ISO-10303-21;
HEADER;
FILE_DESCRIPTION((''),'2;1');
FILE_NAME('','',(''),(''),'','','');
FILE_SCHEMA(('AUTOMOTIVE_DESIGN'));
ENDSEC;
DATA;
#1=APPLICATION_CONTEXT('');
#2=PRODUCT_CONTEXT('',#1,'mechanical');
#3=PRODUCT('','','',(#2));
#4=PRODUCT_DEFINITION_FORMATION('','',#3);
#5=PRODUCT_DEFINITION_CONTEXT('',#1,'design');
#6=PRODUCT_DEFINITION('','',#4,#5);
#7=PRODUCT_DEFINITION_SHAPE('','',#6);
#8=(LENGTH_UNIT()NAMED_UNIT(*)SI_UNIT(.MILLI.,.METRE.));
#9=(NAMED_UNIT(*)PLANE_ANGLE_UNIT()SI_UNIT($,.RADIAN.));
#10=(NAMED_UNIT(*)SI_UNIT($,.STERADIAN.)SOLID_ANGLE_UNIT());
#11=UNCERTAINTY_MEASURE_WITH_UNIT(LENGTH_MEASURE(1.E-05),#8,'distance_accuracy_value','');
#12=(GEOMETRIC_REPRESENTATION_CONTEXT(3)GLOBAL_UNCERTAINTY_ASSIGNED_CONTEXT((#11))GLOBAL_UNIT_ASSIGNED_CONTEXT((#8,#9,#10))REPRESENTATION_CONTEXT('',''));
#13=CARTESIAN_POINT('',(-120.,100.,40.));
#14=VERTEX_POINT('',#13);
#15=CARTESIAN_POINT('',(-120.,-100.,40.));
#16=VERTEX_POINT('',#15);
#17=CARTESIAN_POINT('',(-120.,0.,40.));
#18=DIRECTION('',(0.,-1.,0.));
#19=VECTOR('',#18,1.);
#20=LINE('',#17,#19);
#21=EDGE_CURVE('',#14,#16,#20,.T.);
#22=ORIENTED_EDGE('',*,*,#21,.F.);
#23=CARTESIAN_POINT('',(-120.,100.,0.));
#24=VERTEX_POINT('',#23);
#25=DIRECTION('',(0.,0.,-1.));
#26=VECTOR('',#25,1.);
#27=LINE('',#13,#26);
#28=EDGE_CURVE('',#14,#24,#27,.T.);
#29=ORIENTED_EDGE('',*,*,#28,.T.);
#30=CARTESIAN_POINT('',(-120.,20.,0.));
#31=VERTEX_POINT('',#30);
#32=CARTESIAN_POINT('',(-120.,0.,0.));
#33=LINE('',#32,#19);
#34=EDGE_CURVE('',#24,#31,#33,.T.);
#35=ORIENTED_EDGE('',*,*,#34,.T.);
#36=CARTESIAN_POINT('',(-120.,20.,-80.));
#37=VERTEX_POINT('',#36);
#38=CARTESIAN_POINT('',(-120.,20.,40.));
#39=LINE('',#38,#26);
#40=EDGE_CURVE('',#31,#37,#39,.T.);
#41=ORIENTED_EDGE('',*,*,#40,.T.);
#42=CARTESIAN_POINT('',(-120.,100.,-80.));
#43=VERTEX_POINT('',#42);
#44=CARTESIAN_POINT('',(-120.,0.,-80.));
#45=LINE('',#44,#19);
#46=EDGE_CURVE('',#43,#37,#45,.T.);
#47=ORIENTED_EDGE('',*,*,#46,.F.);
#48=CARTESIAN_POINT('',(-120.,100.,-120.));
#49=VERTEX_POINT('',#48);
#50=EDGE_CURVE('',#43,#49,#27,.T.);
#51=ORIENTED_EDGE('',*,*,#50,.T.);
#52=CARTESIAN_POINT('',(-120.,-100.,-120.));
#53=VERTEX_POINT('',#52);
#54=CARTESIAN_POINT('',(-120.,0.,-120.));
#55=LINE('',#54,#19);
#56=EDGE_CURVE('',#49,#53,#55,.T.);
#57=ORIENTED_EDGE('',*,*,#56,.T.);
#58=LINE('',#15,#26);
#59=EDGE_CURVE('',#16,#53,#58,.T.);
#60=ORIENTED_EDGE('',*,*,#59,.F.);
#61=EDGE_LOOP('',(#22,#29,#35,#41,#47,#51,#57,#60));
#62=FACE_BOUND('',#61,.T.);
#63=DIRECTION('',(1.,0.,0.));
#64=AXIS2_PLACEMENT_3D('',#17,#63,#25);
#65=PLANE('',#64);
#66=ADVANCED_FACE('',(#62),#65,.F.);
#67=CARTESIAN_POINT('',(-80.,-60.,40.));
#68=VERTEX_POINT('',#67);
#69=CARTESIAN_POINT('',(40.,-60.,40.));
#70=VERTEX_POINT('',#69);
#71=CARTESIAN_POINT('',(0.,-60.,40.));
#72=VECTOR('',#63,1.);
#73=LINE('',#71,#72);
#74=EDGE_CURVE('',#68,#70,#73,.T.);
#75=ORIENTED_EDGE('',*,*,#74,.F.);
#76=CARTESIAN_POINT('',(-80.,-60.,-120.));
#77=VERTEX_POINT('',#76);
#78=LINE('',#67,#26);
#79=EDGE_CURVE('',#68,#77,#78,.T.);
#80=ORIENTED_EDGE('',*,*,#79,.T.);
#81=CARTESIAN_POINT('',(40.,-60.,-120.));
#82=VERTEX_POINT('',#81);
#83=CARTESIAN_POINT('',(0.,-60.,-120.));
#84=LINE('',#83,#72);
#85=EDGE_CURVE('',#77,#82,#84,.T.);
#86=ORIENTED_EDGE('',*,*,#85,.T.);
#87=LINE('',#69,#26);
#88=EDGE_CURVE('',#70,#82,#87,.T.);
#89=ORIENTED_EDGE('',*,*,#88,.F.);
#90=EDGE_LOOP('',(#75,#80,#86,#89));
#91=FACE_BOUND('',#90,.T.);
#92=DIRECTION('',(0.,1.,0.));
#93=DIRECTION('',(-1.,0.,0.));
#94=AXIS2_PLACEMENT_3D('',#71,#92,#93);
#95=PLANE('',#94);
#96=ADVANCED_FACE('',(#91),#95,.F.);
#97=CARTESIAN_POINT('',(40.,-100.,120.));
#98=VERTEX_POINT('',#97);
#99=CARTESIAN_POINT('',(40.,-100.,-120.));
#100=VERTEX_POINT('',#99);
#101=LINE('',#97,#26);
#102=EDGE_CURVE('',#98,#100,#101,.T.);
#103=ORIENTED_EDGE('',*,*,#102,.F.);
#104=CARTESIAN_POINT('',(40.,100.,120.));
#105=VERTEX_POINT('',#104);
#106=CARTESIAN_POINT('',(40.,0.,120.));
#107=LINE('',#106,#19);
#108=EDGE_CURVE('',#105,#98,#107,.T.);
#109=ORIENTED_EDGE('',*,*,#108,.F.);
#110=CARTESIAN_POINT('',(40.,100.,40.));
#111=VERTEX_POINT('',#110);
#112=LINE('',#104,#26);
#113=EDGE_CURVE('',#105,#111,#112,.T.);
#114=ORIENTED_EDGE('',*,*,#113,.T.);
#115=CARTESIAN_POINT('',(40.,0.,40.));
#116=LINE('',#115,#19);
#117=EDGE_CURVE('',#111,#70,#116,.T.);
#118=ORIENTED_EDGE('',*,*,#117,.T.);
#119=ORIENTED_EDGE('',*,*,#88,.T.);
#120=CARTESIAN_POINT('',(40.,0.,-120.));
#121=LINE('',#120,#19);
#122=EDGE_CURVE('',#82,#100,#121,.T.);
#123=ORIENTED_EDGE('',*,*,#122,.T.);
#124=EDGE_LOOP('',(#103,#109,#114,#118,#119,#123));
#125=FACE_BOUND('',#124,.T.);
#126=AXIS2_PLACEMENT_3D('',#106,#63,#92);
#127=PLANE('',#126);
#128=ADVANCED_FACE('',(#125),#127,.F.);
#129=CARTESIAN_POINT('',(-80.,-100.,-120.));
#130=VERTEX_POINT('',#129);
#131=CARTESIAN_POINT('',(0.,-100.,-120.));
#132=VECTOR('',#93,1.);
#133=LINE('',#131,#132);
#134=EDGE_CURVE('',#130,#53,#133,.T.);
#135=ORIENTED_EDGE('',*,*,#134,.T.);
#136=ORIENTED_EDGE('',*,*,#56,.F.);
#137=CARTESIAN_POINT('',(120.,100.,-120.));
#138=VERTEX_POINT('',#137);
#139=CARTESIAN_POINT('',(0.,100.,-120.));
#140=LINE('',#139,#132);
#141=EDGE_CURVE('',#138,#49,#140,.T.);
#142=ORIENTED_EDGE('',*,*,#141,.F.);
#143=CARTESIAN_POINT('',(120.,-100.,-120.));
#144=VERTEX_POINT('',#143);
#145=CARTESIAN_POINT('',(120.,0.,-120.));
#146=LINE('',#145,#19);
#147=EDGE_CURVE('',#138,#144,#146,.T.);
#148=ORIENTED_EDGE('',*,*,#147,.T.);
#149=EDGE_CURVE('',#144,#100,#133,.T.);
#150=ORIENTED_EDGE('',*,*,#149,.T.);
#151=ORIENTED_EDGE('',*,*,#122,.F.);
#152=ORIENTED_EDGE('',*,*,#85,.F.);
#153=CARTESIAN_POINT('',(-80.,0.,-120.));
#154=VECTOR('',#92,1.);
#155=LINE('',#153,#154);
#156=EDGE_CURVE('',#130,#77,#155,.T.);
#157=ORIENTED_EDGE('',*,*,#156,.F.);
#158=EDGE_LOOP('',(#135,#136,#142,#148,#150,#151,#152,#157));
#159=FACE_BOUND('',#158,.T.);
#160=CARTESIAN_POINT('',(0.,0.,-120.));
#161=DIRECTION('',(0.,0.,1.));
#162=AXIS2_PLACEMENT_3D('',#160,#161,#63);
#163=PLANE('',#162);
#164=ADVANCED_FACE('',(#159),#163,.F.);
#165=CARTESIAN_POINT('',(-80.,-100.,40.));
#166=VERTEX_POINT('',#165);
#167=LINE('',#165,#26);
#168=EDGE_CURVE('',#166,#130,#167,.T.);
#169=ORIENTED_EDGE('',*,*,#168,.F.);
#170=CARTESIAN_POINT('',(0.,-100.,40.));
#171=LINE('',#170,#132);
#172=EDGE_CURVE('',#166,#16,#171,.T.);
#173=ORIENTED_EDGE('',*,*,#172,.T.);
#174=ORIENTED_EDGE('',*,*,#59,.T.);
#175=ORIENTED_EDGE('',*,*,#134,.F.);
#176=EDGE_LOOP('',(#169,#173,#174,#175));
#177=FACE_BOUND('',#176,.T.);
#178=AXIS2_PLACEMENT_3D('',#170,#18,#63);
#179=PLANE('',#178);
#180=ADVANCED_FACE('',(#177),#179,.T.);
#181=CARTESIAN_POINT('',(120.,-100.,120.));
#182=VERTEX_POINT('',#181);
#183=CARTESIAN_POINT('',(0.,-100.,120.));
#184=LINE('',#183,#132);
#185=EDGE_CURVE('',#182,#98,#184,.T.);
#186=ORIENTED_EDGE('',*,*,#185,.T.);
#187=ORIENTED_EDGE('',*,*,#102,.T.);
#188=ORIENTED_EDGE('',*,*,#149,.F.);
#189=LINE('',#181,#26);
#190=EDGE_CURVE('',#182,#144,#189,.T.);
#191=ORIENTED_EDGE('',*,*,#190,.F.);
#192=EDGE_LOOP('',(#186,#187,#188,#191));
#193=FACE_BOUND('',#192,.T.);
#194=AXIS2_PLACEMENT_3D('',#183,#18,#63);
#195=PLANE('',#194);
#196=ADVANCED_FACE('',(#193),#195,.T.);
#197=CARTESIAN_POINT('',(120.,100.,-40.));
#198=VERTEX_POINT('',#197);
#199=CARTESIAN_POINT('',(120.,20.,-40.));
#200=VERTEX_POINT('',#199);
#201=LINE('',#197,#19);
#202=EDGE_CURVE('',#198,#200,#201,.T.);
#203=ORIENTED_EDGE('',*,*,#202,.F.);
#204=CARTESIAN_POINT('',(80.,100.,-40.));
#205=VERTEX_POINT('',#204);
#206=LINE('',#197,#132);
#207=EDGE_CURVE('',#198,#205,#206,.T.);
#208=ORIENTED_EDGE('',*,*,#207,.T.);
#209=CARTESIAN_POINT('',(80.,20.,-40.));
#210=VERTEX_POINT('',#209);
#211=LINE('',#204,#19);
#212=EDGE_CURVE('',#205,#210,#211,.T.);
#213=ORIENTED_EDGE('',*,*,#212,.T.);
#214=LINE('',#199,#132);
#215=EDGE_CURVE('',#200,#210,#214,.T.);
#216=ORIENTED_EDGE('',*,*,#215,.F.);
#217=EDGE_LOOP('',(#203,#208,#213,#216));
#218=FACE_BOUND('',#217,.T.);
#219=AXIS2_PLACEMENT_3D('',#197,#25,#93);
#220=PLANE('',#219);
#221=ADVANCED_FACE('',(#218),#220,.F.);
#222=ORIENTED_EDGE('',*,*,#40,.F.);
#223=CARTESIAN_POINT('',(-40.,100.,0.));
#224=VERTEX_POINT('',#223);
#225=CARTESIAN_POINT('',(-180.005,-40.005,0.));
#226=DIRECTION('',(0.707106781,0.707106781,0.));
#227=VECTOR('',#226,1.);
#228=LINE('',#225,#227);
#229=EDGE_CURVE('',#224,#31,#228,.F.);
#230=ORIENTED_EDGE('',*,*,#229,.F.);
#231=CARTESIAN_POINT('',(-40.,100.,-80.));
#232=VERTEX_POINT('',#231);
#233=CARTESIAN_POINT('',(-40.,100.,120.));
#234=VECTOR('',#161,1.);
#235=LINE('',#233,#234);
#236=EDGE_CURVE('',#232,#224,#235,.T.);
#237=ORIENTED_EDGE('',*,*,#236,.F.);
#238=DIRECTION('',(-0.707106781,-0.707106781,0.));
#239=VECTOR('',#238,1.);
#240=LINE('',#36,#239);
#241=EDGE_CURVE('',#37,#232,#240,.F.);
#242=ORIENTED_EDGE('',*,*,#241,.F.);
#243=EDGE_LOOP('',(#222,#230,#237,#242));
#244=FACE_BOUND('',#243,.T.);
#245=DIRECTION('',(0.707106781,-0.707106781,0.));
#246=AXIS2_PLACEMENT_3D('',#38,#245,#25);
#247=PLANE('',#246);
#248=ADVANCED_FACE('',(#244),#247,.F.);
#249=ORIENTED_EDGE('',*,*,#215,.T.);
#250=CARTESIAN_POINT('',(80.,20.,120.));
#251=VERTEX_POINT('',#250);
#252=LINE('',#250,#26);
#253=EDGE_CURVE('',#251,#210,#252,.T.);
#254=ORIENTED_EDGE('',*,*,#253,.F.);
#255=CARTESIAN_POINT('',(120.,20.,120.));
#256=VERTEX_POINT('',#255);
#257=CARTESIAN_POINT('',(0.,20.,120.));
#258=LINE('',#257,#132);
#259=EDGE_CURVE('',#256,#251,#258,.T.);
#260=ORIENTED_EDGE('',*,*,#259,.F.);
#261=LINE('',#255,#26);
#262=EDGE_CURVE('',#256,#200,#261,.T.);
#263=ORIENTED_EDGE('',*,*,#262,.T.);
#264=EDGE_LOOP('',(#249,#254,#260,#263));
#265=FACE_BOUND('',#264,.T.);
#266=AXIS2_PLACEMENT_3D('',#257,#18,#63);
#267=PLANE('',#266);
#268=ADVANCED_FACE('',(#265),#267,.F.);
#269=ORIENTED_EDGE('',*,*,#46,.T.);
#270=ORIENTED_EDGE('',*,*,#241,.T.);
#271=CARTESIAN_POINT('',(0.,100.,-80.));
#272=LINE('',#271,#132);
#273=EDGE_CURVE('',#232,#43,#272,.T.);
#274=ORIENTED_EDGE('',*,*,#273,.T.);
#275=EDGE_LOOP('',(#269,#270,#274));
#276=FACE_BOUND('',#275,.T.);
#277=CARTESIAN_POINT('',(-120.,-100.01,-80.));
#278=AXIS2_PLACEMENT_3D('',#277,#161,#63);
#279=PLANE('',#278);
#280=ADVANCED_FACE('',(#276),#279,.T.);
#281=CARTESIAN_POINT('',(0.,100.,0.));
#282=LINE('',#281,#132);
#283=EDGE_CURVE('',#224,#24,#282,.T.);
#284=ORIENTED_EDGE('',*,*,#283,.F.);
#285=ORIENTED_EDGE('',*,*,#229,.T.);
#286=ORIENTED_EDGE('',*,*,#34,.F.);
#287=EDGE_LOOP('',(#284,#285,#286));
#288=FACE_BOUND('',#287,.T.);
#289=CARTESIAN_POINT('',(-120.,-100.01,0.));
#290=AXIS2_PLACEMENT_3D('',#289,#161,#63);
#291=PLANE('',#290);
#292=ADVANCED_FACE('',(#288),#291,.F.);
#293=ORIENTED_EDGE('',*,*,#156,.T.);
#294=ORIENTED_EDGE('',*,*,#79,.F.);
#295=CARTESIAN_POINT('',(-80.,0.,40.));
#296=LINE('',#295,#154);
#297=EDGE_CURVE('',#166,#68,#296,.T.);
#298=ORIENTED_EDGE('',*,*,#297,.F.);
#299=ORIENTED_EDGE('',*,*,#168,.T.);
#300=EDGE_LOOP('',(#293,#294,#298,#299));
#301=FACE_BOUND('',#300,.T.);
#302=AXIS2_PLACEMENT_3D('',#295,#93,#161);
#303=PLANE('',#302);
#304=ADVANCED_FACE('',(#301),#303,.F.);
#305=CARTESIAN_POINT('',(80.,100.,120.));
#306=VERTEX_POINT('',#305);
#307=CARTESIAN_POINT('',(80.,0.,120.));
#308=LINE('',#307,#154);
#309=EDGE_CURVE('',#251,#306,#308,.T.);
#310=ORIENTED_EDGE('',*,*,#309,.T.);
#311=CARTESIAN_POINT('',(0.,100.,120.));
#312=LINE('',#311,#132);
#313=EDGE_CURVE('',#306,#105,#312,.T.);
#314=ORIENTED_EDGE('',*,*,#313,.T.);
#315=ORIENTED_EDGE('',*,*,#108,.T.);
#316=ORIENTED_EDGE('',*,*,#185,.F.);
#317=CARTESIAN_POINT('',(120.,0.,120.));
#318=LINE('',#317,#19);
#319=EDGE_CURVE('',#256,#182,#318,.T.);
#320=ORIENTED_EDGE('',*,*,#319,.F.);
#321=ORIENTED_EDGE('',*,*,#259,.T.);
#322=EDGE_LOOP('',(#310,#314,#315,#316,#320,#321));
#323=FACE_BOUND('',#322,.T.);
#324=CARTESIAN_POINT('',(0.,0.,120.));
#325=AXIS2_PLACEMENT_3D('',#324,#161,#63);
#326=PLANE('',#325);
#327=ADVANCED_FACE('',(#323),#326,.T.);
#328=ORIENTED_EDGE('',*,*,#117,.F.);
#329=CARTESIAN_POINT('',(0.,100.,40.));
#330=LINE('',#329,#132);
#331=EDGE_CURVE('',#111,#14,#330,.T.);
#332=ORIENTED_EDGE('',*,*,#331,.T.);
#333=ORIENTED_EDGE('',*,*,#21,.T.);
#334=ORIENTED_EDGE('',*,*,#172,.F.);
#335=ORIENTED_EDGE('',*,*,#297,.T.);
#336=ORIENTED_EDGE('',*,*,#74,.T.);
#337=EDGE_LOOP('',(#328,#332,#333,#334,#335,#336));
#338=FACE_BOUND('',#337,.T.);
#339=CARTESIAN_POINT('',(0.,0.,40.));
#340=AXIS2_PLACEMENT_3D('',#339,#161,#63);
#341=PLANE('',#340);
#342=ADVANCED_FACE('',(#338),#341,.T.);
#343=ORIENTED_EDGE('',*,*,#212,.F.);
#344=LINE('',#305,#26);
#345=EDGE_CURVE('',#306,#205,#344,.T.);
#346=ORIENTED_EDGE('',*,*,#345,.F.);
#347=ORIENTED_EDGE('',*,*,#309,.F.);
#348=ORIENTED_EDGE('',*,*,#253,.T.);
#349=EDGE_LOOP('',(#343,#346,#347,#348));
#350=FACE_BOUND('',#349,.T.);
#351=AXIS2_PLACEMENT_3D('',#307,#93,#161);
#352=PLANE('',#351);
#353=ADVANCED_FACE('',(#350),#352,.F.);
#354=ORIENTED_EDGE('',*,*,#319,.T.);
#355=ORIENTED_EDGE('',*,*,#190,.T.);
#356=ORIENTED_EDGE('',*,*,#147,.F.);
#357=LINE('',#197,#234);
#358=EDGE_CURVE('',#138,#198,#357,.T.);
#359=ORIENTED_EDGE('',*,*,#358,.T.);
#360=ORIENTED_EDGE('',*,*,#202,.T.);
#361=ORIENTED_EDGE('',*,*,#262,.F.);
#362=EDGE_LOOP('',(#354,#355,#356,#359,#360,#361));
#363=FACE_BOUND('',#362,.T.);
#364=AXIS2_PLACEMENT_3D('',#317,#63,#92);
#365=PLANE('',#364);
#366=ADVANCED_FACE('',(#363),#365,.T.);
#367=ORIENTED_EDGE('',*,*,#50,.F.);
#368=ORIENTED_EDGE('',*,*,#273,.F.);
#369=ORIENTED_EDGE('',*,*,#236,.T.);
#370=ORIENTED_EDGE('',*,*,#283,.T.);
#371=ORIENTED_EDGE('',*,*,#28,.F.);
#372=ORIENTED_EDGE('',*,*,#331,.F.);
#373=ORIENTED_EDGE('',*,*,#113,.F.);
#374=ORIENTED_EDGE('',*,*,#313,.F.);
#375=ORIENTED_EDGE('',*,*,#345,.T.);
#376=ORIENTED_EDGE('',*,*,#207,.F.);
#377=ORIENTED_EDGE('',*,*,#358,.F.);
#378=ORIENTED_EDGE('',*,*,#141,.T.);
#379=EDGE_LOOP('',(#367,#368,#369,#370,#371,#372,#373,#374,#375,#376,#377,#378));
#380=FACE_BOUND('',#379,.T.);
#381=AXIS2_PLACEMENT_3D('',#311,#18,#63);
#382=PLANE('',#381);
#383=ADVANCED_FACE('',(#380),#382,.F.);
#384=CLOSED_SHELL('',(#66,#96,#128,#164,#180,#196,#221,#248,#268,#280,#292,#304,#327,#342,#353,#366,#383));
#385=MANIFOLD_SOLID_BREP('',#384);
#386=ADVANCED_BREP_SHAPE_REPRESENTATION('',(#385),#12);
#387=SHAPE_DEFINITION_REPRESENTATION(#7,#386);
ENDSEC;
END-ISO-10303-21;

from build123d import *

# Parameters (mm, degrees)
BOSS_EXTRUDE1_DEPTH      = 120
BOSS_EXTRUDE2_DEPTH      = 120
SKETCH3_W                = 80
SKETCH3_H                = 80
BOSS_EXTRUDE3_DEPTH      = 40
BOSS_EXTRUDE4_DEPTH      = 40
BOSS_EXTRUDE5_DEPTH      = 120
SPLIT4_SURFACE_1_1_BACK  = 394.954
SPLIT4_SURFACE_1_1_DEPTH = 789.908
SPLIT4_SURFACE_1_2_BACK  = 394.954
SPLIT4_SURFACE_1_2_DEPTH = 789.908
SPLIT4_SURFACE_2_3_BACK  = 394.954
SPLIT4_SURFACE_2_3_DEPTH = 789.908
SPLIT4_SURFACE_2_4_BACK  = 394.954
SPLIT4_SURFACE_2_4_DEPTH = 789.908
CHAMFER4_SIZE            = 80


with BuildPart() as part:
    # Sketch1 → Boss-Extrude1 (new body)
    with BuildSketch(Plane.XY):
        Polygon((120, -100), (120, 20), (80, 20), (80, 100), (40, 100), (40, -60), (40, -100), align=None)
    extrude(amount=BOSS_EXTRUDE1_DEPTH)

    # Sketch1<3> → Boss-Extrude2 (add)
    with BuildSketch(Plane.XY):
        Polygon((120, -100), (120, 20), (80, 20), (80, 100), (40, 100), (40, -60), (40, -100), align=None)
    extrude(amount=-BOSS_EXTRUDE2_DEPTH)

    # Sketch3 → Boss-Extrude3 (add)
    with BuildSketch(Plane(origin=(80, 0, 0), x_dir=(0, 0, -1), z_dir=(1, 0, 0))):
        with Locations((80, 60)):
            Rectangle(SKETCH3_W, SKETCH3_H)
    extrude(amount=BOSS_EXTRUDE3_DEPTH)

    # Sketch1<4> → Boss-Extrude4 (add)
    with BuildSketch(Plane.XY):
        Polygon((40, -60), (40, 100), (-120, 100), (-120, -100), (-80, -100), (-80, -60), align=None)
    extrude(amount=BOSS_EXTRUDE4_DEPTH)

    # Sketch1<5> → Boss-Extrude5 (add)
    with BuildSketch(Plane.XY):
        Polygon((40, -60), (40, 100), (-120, 100), (-120, -100), (-80, -100), (-80, -60), align=None)
    extrude(amount=-BOSS_EXTRUDE5_DEPTH)


with BuildPart() as body_2:
    # Split4: the piece behind the surface
    add(part.part)
    # Split4 surface 1: a surface, the sketch's curves swept straight by 789.908 mm
    with BuildLine(Plane(origin=(0, 100, 0), x_dir=(1, 0, 0), z_dir=(0, 1, 0)).offset(-SPLIT4_SURFACE_1_1_BACK), mode=Mode.PRIVATE) as split4_surface_1_1_path:
        Line((-120, 0), (120, 0))
    split4_surface_1_1 = Shell.extrude(split4_surface_1_1_path.wire(), (0 * SPLIT4_SURFACE_1_1_DEPTH, 1 * SPLIT4_SURFACE_1_1_DEPTH, 0 * SPLIT4_SURFACE_1_1_DEPTH))
    split(bisect_by=split4_surface_1_1, keep=Keep.BOTTOM)


with BuildPart() as part_1:
    add(part.part)

    # Split4: split by a surface, the side it looks to stays
    # Split4 surface 1: a surface, the sketch's curves swept straight by 789.908 mm
    with BuildLine(Plane(origin=(0, 100, 0), x_dir=(1, 0, 0), z_dir=(0, 1, 0)).offset(-SPLIT4_SURFACE_1_2_BACK), mode=Mode.PRIVATE) as split4_surface_1_2_path:
        Line((-120, 0), (120, 0))
    split4_surface_1_2 = Shell.extrude(split4_surface_1_2_path.wire(), (0 * SPLIT4_SURFACE_1_2_DEPTH, 1 * SPLIT4_SURFACE_1_2_DEPTH, 0 * SPLIT4_SURFACE_1_2_DEPTH))
    split(bisect_by=split4_surface_1_2, keep=Keep.TOP)


with BuildPart() as body_3:
    # Split4 2: the piece behind the surface
    add(part_1.part)
    # Split4 surface 2: a surface, the sketch's curves swept straight by 789.908 mm
    with BuildLine(Plane(origin=(0, 100, 0), x_dir=(1, 0, 0), z_dir=(0, 1, 0)).offset(-SPLIT4_SURFACE_2_3_BACK), mode=Mode.PRIVATE) as split4_surface_2_3_path:
        Line((-120, 80), (120, 80))
    split4_surface_2_3 = Shell.extrude(split4_surface_2_3_path.wire(), (0 * SPLIT4_SURFACE_2_3_DEPTH, 1 * SPLIT4_SURFACE_2_3_DEPTH, 0 * SPLIT4_SURFACE_2_3_DEPTH))
    split(bisect_by=split4_surface_2_3, keep=Keep.BOTTOM)

    # Chamfer4
    chamfer4_edges = [body_3.edges().sort_by_distance(p)[0] for p in [
        (-120, 100, -40),
    ]]
    chamfer(chamfer4_edges, length=CHAMFER4_SIZE)


with BuildPart() as part_2:
    add(part_1.part)

    # Split4 2: split by a surface, the side it looks to stays
    # Split4 surface 2: a surface, the sketch's curves swept straight by 789.908 mm
    with BuildLine(Plane(origin=(0, 100, 0), x_dir=(1, 0, 0), z_dir=(0, 1, 0)).offset(-SPLIT4_SURFACE_2_4_BACK), mode=Mode.PRIVATE) as split4_surface_2_4_path:
        Line((-120, 80), (120, 80))
    split4_surface_2_4 = Shell.extrude(split4_surface_2_4_path.wire(), (0 * SPLIT4_SURFACE_2_4_DEPTH, 1 * SPLIT4_SURFACE_2_4_DEPTH, 0 * SPLIT4_SURFACE_2_4_DEPTH))
    split(bisect_by=split4_surface_2_4, keep=Keep.TOP)


with BuildPart() as body_3_1:
    add(body_3.part)

    # Combine2: union part, body 2
    add(part_2.part)
    add(body_2.part)


solid = body_3_1.part
